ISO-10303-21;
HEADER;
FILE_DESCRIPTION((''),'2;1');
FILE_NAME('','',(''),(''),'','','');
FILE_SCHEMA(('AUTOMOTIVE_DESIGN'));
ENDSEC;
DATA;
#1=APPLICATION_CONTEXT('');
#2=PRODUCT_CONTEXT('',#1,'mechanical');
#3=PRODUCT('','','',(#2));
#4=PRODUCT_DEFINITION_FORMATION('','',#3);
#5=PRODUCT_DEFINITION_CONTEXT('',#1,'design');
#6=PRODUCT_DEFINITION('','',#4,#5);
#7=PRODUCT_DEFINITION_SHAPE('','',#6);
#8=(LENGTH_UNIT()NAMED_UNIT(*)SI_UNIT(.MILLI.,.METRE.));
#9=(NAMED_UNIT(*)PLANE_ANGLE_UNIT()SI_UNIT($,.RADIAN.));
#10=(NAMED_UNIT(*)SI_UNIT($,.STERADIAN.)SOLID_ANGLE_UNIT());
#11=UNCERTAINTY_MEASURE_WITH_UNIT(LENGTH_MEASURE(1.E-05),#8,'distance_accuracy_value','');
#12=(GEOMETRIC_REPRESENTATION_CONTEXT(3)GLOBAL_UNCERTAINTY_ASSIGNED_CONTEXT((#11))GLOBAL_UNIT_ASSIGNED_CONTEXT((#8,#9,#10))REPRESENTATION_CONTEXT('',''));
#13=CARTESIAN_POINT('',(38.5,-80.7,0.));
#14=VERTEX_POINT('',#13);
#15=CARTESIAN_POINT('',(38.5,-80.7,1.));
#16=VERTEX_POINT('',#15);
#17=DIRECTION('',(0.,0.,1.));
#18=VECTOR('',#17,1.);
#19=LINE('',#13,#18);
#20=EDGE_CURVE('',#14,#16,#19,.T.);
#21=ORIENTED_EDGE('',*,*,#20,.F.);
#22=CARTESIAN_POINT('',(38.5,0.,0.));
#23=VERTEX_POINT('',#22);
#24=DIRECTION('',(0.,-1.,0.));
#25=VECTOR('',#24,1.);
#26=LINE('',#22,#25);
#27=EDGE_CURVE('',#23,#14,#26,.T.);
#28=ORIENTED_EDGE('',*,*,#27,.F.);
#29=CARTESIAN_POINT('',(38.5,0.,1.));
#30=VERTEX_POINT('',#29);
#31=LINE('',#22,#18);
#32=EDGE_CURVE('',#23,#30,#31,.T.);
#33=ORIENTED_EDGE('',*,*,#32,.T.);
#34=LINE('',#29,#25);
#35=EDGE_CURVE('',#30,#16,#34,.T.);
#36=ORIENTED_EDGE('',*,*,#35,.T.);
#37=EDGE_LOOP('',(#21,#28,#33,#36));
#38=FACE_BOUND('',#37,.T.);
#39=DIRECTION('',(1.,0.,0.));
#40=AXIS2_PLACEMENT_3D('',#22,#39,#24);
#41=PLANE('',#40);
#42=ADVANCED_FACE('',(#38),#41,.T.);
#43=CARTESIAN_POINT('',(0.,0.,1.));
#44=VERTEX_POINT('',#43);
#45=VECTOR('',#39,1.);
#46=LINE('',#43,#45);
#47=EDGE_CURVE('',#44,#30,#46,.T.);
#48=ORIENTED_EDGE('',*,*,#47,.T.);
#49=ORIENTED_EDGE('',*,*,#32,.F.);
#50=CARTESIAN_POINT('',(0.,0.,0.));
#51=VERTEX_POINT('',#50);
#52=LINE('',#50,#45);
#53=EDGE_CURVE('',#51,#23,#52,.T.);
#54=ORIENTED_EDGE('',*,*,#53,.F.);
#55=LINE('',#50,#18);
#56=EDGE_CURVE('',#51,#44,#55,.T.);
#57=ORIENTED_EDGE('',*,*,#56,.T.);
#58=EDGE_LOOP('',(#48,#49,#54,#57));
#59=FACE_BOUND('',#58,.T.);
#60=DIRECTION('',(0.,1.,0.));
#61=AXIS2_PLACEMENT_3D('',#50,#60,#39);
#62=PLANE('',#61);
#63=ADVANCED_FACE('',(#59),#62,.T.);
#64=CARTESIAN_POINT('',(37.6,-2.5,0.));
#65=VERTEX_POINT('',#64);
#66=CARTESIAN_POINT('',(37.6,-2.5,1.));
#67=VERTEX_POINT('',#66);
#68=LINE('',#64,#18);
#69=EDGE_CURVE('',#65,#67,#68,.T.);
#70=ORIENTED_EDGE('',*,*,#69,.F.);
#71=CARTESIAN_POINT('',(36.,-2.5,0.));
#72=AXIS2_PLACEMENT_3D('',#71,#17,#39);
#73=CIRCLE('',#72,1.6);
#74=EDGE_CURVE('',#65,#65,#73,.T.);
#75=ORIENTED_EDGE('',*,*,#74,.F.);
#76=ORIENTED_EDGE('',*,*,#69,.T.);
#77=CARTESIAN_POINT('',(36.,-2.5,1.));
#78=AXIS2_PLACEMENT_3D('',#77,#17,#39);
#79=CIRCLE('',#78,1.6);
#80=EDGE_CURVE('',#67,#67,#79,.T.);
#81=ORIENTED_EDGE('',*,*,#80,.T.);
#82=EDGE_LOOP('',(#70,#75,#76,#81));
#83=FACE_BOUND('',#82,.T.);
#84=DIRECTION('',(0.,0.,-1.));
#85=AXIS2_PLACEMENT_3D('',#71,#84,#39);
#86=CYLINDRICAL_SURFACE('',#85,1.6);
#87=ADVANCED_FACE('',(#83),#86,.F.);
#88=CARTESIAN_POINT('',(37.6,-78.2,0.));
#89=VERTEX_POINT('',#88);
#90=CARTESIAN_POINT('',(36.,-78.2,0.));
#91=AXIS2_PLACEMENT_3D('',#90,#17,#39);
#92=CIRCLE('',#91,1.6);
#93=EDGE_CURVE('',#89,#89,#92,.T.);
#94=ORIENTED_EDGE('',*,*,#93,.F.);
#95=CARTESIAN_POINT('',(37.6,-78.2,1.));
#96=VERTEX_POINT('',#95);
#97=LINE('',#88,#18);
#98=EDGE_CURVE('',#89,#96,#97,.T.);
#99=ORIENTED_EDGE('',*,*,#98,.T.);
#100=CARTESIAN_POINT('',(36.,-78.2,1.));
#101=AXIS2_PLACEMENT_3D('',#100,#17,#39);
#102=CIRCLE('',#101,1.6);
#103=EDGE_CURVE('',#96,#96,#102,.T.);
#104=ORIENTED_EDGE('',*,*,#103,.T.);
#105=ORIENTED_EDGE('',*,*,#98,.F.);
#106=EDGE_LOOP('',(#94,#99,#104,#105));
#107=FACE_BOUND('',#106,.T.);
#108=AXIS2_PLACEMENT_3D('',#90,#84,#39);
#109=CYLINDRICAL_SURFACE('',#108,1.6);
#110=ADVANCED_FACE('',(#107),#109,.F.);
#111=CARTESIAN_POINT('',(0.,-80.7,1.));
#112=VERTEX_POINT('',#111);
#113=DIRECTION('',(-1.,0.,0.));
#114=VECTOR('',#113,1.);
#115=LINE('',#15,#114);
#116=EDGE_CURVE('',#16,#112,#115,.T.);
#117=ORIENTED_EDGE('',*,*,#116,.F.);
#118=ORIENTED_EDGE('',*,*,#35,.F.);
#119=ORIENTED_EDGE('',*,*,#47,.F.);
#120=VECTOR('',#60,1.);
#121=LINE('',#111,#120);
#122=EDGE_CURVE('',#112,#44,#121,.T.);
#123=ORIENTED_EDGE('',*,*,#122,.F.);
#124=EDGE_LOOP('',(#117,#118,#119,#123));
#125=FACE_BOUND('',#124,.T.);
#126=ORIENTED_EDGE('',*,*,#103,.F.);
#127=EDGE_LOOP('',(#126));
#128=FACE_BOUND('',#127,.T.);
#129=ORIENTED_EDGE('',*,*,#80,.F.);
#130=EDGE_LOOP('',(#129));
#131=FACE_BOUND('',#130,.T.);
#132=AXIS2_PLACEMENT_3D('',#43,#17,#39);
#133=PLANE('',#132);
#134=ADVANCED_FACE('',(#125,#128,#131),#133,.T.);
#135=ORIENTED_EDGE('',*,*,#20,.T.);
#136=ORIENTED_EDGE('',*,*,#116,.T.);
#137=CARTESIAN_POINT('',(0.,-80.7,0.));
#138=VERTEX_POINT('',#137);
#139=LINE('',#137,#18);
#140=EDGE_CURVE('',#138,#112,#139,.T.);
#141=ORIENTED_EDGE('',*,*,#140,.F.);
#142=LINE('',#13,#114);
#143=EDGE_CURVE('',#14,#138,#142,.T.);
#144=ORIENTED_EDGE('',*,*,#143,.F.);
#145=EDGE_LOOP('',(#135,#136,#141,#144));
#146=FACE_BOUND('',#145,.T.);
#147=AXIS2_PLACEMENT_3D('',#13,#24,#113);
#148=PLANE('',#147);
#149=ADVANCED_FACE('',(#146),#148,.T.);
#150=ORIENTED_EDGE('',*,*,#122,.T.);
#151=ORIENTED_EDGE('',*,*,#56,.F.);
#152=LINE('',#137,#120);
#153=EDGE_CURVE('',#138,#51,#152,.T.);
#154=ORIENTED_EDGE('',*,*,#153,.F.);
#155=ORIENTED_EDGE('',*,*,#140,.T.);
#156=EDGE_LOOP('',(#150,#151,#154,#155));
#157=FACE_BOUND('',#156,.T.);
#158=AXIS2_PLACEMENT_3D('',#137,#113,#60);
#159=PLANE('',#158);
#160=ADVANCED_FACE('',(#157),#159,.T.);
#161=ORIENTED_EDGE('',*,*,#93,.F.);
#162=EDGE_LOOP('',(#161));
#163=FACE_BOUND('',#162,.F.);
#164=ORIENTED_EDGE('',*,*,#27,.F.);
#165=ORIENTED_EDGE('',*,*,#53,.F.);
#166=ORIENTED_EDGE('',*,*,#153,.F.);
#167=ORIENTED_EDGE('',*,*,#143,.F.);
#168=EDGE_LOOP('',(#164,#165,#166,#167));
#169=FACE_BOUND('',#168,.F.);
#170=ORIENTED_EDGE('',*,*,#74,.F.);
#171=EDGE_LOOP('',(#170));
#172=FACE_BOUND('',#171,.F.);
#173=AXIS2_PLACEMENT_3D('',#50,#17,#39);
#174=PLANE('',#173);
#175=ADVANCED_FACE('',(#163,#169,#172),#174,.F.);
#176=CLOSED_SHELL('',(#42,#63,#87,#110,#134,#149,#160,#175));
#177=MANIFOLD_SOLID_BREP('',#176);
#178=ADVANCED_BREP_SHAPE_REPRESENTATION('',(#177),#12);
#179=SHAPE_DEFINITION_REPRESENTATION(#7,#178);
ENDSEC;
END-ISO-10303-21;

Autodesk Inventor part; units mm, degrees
ref_plane "YZ Plane" through (0, 0, 0) normal (1, 0, 0) x (0, 1, 0)
ref_plane "XZ Plane" through (0, 0, 0) normal (0, 1, 0) x (-1, 0, 0)
ref_plane "XY Plane" through (0, 0, 0) normal (0, 0, 1) x (1, 0, 0)
sketch "Sketch1" plane through (0, 0, 0) normal (0, 0, 1) x (1, 0, 0)
  line L0 (0, 0) -> (38.5, 0)
  line L1 (38.5, 0) -> (38.5, -80.7)
  line L2 (38.5, -80.7) -> (0, -80.7)
  line L3 (0, -80.7) -> (0, 0)
  circle A0 centre (36, -2.5) radius 1.6
  circle A1 centre (36, -78.2) radius 1.6
  dimension "d0" = 38.5
  dimension "d1" = 80.7
  dimension "d4" = 3.2
  dimension "d7" = 3.2
extrude "Extrusion1" add sketch "Sketch1" along normal blind 1
sketch "Sketch2" plane through (0, 0, 0) normal (0, 0, -1) x (-1, 0, 0)
  line L0 (0, -80.7) -> (-38.5, -80.7) projected
  line L1 (0, 0) -> (0, -80.7) projected
  line L2 (-38.5, 0) -> (0, 0) projected
  line L3 (-38.5, -80.7) -> (-38.5, 0) projected
  circle A0 centre (-36, -78.2) radius 1.6 projected
  circle A1 centre (-36, -2.5) radius 1.6 projected
  line L4 (-26.0363, 0) -> (-26.0363, -34.7)
  dimension "d10" = 34.7
properties part number "alert"
